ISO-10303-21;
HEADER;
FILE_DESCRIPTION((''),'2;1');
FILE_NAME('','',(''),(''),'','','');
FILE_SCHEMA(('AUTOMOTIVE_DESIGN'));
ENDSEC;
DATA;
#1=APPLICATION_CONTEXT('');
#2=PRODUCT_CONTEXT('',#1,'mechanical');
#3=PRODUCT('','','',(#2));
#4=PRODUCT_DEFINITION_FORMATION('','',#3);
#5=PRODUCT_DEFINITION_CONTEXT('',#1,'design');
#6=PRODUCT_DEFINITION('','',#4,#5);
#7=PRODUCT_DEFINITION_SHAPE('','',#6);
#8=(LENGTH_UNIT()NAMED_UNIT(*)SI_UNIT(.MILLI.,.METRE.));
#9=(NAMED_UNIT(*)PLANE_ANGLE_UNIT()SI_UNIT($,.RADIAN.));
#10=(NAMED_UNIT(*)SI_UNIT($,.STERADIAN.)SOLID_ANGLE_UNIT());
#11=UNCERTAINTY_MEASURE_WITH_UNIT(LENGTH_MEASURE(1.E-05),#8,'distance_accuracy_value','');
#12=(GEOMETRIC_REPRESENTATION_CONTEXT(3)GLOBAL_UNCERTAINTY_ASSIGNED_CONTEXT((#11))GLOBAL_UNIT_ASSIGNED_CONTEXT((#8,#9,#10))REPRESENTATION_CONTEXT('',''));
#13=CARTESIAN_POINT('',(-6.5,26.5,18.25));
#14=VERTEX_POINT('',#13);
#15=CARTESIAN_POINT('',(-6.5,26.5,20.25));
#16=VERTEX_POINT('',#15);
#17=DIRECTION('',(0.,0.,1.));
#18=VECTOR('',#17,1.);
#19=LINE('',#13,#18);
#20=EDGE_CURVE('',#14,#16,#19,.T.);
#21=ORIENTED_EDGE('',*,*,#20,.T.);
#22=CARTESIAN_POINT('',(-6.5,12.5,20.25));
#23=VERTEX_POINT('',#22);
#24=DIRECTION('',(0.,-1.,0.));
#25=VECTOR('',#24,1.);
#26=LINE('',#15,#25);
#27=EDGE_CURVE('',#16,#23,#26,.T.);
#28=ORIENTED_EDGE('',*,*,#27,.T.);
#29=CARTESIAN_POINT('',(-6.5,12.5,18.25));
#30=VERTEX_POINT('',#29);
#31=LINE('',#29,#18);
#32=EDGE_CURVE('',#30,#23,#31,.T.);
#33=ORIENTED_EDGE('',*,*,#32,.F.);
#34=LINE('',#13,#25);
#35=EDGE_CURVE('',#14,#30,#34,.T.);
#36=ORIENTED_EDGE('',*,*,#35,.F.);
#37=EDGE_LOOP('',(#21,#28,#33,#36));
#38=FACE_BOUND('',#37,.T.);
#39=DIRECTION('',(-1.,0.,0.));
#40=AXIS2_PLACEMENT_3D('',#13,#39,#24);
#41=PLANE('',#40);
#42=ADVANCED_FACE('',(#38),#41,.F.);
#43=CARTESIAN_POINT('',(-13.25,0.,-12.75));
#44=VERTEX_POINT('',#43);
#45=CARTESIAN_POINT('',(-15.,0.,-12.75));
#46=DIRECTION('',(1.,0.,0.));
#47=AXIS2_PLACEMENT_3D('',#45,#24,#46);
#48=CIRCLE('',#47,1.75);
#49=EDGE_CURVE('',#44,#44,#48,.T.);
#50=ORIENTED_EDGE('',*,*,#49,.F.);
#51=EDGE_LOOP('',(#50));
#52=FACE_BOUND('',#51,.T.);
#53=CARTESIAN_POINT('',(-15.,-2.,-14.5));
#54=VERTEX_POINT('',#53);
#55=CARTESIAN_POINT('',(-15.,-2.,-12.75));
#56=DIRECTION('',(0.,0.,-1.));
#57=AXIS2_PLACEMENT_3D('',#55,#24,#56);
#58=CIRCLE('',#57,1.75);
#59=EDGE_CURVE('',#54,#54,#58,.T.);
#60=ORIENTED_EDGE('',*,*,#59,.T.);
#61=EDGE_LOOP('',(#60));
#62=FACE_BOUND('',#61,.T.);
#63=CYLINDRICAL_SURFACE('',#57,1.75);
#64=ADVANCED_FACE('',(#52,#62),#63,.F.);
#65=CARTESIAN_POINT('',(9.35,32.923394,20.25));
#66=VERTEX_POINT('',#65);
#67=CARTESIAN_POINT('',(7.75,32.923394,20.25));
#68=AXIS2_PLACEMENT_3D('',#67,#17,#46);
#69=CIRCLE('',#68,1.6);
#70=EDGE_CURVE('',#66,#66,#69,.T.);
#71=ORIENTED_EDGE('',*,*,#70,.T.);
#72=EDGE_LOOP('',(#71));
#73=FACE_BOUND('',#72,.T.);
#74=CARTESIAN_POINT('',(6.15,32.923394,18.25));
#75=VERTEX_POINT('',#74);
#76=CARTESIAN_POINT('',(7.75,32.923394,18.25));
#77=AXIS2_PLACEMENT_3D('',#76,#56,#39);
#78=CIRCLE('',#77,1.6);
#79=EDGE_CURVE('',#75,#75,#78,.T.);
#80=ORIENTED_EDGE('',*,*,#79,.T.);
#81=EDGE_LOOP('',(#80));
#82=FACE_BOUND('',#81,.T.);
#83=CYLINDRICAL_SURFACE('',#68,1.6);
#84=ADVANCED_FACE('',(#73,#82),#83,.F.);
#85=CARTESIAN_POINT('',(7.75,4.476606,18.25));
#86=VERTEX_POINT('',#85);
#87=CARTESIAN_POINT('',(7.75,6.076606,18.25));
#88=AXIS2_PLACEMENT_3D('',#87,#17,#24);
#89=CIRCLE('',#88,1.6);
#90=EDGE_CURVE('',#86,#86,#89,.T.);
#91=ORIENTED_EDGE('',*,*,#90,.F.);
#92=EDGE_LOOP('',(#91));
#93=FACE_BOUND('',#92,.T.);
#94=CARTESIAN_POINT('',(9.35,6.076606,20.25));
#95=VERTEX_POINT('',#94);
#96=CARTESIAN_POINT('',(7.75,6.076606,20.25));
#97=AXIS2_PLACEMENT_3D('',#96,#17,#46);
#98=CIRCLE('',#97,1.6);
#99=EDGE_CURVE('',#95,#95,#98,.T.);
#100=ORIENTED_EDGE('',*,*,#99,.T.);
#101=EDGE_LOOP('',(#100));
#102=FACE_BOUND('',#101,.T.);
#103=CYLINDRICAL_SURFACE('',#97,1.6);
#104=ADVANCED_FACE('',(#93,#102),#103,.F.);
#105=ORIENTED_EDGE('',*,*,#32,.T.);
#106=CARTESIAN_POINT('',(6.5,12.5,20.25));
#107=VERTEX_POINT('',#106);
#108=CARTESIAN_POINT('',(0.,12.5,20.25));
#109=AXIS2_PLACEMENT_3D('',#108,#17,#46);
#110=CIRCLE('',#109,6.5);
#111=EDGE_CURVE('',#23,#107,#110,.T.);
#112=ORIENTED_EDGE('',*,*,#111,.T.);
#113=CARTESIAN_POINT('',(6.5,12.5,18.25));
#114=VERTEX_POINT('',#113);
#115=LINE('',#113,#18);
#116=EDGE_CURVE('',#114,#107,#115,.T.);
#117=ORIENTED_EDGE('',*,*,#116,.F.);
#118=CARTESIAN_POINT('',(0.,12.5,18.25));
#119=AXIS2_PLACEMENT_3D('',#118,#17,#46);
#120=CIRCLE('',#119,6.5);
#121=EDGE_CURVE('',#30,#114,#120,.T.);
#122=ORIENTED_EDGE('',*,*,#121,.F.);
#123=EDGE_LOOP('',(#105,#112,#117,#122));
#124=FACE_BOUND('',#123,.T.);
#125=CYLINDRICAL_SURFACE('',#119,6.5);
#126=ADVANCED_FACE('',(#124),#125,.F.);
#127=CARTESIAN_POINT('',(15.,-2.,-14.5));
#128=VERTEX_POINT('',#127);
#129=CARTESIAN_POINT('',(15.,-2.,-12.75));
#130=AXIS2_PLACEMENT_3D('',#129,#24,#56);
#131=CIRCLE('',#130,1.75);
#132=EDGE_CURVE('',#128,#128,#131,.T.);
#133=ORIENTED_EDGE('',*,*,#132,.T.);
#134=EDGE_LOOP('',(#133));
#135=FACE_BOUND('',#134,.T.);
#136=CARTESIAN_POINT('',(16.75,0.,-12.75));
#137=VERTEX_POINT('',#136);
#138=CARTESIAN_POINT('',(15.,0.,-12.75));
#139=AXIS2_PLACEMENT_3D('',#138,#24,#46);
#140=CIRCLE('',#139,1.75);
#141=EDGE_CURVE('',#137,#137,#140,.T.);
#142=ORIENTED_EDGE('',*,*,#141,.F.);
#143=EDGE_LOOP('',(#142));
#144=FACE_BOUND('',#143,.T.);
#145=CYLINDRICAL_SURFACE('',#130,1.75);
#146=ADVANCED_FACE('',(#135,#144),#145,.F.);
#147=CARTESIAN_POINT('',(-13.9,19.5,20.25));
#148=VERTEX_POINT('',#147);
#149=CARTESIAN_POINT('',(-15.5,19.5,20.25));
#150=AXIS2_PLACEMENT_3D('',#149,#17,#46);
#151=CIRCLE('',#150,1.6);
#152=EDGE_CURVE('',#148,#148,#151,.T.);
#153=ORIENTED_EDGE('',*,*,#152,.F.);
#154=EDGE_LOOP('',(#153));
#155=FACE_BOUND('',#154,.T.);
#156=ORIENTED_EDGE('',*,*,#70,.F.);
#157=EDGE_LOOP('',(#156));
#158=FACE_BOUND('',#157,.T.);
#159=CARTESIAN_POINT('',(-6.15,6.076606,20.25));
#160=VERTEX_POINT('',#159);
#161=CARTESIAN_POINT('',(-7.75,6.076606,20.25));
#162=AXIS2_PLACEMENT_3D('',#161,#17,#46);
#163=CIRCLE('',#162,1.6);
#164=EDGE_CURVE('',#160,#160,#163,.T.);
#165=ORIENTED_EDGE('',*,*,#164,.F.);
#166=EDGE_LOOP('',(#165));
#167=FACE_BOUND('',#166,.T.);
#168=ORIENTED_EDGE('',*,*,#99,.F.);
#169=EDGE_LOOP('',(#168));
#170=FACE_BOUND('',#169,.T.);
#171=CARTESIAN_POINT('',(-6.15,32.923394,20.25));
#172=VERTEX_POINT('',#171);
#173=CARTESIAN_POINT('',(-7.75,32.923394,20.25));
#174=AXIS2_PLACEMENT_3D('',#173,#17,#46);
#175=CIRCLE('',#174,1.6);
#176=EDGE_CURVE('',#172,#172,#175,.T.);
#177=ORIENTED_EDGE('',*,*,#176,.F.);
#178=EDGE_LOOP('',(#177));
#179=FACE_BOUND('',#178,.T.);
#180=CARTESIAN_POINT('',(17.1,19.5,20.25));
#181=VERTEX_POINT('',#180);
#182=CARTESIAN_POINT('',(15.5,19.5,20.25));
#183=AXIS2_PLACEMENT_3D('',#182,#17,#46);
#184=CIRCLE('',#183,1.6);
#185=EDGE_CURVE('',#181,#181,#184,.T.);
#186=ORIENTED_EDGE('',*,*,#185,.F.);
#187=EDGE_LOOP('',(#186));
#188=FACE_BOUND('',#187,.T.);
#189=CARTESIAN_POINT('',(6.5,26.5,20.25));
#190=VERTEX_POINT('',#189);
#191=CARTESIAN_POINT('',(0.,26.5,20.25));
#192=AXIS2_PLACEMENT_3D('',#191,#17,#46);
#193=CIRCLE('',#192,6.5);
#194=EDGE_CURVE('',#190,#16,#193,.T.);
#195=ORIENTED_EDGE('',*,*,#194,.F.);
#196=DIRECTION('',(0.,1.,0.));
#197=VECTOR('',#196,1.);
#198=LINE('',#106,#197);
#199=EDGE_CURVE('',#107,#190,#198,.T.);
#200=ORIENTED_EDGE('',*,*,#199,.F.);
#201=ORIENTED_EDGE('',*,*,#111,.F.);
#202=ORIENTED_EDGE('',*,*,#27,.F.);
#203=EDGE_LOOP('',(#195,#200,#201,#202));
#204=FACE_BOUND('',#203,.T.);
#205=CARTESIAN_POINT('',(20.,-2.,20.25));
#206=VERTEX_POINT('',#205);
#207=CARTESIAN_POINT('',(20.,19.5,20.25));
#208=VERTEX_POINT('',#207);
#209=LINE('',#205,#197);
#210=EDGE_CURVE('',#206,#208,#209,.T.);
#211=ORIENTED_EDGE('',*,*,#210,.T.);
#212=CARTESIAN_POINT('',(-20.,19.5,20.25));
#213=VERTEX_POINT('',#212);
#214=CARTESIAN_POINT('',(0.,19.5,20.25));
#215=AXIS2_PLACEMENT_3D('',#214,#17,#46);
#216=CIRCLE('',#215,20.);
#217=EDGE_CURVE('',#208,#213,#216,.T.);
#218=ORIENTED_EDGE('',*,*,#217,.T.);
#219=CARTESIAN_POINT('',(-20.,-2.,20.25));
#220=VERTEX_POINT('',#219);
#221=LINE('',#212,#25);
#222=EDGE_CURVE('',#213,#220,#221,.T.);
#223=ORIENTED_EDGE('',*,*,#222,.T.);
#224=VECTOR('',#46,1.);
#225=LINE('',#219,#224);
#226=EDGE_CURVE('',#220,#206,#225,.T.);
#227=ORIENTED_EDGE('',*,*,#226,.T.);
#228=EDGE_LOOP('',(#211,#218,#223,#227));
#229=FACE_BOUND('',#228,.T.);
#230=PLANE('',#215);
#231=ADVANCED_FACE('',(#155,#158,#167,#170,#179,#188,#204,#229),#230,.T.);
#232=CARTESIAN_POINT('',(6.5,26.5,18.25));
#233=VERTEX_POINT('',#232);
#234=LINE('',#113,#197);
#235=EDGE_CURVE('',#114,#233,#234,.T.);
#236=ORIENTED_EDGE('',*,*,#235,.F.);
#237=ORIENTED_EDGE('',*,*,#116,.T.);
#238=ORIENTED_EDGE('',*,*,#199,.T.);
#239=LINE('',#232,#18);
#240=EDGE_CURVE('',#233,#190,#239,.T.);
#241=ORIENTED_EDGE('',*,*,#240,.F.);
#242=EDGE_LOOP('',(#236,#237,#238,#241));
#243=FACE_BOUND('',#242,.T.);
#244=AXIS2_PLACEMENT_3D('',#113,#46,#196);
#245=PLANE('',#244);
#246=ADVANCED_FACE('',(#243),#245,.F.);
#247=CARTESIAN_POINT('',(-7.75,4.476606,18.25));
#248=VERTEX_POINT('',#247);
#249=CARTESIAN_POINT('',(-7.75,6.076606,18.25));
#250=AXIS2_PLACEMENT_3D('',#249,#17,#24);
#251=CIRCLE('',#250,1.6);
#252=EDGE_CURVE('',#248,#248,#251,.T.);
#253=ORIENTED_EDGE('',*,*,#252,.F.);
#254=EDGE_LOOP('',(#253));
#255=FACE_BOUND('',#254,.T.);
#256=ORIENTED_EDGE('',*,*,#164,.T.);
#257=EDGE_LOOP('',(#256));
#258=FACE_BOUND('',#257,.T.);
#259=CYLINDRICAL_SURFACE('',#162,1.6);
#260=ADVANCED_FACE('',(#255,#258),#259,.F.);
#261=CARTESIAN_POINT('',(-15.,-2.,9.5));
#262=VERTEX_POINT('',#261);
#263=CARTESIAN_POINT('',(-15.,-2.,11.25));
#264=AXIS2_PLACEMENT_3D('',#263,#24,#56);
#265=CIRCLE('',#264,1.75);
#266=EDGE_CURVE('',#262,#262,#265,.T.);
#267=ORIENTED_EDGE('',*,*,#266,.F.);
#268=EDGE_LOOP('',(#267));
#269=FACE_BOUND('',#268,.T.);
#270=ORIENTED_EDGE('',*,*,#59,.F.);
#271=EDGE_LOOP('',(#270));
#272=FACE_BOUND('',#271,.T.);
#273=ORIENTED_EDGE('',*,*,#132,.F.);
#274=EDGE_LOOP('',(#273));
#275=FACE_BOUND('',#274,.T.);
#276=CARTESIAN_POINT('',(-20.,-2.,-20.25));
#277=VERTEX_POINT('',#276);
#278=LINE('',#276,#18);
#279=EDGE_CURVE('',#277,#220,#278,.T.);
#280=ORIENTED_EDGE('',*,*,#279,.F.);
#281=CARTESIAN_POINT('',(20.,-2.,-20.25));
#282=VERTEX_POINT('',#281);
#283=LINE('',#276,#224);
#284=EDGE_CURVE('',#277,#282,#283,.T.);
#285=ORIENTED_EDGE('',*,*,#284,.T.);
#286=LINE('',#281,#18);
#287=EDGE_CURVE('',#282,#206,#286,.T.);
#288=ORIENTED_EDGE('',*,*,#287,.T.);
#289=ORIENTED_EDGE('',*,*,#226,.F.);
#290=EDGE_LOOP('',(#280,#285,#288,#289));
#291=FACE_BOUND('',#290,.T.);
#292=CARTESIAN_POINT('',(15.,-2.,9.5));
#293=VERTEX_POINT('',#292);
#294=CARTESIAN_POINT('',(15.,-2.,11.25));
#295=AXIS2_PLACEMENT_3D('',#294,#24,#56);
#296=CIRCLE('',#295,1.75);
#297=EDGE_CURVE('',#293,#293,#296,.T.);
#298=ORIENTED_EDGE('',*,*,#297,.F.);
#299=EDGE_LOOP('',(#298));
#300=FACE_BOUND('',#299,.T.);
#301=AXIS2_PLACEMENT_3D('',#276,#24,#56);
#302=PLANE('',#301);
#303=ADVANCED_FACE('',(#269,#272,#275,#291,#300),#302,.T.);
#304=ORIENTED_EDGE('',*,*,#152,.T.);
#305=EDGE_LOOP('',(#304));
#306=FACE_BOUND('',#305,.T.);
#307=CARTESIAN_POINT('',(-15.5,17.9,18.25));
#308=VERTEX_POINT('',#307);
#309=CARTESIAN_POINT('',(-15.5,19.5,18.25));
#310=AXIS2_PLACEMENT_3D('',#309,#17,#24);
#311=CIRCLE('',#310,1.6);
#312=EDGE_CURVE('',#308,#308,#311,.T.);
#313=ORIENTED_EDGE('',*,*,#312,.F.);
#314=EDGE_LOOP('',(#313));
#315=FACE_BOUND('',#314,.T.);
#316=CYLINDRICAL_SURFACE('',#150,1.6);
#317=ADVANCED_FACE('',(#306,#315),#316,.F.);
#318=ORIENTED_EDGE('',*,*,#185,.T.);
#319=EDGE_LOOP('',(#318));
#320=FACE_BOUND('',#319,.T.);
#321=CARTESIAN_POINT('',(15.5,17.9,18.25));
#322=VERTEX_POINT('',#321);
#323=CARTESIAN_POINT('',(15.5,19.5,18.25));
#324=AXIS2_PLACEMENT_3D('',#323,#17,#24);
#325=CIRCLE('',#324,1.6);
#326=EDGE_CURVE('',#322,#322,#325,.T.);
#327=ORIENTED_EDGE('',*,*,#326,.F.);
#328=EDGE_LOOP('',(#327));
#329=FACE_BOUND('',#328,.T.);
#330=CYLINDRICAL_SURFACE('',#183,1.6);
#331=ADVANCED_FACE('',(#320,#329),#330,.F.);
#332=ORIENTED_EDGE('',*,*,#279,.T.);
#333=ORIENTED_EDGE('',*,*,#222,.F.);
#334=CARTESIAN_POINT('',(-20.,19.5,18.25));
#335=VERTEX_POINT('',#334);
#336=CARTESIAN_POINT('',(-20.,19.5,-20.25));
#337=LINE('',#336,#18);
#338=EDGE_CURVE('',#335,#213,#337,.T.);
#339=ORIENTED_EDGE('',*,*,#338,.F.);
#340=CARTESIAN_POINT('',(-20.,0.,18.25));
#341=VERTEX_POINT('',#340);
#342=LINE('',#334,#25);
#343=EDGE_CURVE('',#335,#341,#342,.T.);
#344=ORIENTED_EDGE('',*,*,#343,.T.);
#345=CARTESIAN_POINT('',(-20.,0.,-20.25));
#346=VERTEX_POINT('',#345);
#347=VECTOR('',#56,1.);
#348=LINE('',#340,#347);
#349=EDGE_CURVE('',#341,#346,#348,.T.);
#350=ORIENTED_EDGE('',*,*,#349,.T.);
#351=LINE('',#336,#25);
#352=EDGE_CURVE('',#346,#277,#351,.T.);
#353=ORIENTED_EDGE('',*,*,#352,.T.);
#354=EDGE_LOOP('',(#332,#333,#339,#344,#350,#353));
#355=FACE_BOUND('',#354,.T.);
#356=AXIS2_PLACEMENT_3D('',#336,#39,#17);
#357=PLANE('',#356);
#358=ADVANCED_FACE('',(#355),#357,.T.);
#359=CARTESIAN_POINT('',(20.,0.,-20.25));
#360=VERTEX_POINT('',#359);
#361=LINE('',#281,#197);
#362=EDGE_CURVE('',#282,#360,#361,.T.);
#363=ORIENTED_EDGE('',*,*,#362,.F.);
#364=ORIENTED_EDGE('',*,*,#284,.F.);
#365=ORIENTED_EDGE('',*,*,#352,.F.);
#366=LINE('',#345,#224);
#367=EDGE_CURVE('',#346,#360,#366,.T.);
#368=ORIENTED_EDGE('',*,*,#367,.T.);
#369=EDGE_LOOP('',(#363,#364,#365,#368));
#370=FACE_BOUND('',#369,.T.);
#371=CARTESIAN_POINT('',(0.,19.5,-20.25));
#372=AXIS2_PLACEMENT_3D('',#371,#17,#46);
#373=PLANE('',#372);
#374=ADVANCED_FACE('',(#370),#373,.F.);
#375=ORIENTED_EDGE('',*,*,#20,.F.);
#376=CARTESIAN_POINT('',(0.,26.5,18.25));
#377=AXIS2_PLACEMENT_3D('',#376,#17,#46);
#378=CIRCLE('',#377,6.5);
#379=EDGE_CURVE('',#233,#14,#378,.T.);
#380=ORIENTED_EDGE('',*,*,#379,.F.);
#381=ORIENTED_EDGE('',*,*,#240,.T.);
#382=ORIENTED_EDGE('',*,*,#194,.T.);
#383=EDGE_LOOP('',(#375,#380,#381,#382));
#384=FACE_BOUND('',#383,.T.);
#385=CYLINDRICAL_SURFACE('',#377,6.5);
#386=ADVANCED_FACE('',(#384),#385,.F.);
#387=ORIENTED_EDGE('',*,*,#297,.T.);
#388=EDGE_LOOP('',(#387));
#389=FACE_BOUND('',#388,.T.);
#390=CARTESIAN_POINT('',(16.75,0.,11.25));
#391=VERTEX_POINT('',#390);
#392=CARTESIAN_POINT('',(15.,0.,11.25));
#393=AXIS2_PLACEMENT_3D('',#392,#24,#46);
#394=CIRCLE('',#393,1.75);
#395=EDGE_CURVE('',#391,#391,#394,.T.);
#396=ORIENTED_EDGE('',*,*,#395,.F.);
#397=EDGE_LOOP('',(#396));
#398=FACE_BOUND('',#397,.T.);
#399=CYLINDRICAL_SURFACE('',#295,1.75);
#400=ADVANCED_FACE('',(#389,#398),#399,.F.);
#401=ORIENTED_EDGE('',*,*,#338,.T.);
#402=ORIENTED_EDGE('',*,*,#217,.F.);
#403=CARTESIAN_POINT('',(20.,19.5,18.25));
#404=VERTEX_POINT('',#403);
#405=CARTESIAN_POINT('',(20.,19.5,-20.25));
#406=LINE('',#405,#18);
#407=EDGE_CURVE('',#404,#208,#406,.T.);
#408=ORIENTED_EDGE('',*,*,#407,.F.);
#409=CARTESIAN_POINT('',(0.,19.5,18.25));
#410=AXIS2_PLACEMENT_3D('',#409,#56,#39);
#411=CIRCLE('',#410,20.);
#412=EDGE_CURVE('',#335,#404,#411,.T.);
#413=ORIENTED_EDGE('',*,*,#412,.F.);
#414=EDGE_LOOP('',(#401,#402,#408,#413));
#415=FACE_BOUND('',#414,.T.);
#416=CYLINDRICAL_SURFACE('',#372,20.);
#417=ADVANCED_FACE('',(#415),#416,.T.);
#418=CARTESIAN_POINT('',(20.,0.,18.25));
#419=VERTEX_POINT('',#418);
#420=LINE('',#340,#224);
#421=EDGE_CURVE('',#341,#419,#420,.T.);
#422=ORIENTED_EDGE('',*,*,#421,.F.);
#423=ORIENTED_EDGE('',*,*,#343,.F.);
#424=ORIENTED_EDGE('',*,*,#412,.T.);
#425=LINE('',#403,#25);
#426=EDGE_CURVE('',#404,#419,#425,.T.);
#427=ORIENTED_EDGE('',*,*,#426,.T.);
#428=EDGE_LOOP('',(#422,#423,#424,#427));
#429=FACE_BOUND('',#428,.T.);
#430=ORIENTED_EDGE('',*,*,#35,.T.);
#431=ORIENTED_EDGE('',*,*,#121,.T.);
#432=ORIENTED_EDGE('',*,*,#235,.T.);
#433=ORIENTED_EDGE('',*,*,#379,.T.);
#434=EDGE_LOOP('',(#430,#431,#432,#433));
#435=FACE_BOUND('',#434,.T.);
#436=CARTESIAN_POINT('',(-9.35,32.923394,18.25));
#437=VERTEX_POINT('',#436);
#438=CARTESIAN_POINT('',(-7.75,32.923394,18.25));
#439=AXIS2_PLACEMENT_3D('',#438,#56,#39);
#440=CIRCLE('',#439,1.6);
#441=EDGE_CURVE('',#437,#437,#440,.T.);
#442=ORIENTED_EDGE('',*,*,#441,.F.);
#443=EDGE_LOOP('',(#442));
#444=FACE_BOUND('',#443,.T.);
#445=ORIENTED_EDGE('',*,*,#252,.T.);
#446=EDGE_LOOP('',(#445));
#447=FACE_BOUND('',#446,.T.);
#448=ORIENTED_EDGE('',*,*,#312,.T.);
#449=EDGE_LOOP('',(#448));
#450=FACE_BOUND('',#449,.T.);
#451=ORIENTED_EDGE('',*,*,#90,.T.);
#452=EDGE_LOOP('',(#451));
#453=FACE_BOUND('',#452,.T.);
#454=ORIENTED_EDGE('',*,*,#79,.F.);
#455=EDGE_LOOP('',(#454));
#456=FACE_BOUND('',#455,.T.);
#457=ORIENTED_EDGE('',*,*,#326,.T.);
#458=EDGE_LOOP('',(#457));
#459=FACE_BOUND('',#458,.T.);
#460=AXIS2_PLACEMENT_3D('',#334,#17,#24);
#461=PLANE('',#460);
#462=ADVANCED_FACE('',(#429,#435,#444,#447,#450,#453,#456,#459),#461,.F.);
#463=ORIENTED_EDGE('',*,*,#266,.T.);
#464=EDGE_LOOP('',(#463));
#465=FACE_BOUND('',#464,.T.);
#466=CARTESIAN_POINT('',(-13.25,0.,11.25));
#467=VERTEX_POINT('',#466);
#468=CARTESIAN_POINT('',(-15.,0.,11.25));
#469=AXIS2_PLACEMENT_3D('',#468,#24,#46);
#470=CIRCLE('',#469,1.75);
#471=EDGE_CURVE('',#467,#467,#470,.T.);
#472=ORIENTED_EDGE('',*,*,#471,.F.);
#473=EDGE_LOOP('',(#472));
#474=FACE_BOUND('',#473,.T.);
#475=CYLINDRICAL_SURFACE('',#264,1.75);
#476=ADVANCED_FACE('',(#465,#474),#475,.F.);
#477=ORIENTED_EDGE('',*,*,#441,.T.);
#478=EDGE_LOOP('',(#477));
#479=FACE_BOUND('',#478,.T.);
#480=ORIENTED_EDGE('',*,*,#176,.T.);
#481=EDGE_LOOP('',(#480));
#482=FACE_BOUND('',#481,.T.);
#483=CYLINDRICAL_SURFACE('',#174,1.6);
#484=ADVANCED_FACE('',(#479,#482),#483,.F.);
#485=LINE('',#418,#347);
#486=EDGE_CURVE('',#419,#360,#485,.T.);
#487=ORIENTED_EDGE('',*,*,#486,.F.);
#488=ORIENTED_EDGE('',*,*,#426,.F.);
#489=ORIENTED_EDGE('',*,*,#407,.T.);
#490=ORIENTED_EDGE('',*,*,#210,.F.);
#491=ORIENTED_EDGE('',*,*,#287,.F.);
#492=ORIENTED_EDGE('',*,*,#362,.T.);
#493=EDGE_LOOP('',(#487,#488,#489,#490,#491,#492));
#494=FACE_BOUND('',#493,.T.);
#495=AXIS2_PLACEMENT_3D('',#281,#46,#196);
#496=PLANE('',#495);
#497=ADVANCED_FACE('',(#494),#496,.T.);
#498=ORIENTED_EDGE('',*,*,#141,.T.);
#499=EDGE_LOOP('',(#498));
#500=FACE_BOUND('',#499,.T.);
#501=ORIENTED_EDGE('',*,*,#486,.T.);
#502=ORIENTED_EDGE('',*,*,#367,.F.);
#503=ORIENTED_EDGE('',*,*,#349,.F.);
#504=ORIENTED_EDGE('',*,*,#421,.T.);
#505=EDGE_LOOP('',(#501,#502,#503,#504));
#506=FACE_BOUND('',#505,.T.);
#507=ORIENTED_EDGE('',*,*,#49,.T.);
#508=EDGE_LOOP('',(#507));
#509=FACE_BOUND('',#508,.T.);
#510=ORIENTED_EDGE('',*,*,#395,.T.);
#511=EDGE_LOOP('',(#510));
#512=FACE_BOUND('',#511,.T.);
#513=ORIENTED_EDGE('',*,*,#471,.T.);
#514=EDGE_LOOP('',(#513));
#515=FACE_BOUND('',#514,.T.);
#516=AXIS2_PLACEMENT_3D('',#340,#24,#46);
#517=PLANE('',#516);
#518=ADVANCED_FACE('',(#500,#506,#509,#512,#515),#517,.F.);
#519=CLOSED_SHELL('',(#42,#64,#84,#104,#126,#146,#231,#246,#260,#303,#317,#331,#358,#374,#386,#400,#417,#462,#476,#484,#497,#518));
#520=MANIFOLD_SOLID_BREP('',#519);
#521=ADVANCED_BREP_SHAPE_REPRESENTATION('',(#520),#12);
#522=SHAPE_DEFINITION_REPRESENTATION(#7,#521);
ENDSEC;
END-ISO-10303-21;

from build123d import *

# Parameters (mm, degrees)
EXTRUDE_1_DEPTH             = 40.5
SKETCH_2_W                  = 38.5
SKETCH_2_H                  = 19.5
CUT_EXTRUDE_1_DEPTH         = 60.752092014
CUT_EXTRUDE_2_DEPTH         = 2
HOLE_WIZARD_3_5_3_5_1_D     = 3.5
HOLE_WIZARD_3_5_3_5_1_DEPTH = 2
HOLE_WIZARD_3_2_3_2_1_D     = 3.2
HOLE_WIZARD_3_2_3_2_1_DEPTH = 40.5
SKETCH_12_R                 = 1.6
CUT_EXTRUDE_3_DEPTH         = 38.5


with BuildPart() as part:
    # 草图1 → 凸台-拉伸1 (new body)
    with BuildSketch(Plane.XY.offset(20.25)):
        with BuildLine():
            Line((20, -2), (20, 19.5))
            ThreePointArc((20, 19.5), (0, 39.5), (-20, 19.5))
            Line((-20, 19.5), (-20, -2))
            Line((-20, -2), (20, -2))
        make_face()
    extrude(amount=-EXTRUDE_1_DEPTH)

    # 草图2 → 切除-拉伸1 (cut, through all)
    with BuildSketch(Plane(origin=(20, 0, 0), x_dir=(0, 0, -1), z_dir=(1, 0, 0))):
        with Locations((1, 9.75)):
            Rectangle(SKETCH_2_W, SKETCH_2_H)
    extrude(amount=-CUT_EXTRUDE_1_DEPTH, mode=Mode.SUBTRACT)

    # 草图3 → 切除-拉伸2 (cut)
    with BuildSketch(Plane.XY.offset(20.25)):
        with BuildLine():
            Line((-6.5, 26.5), (-6.5, 12.5))
            ThreePointArc((-6.5, 12.5), (0, 6), (6.5, 12.5))
            Line((6.5, 12.5), (6.5, 26.5))
            ThreePointArc((6.5, 26.5), (0, 33), (-6.5, 26.5))
        make_face()
    extrude(amount=-CUT_EXTRUDE_2_DEPTH, mode=Mode.SUBTRACT)

    # Ø3.5 (3.5) 直径孔1
    with Locations(Plane(origin=(0, -2, 0), x_dir=(-1, 0, 0), z_dir=(0, -1, 0))):
        with Locations((15, -11.25), (15, 12.75), (-15, 12.75), (-15, -11.25)):
            Hole(HOLE_WIZARD_3_5_3_5_1_D / 2, depth=HOLE_WIZARD_3_5_3_5_1_DEPTH)

    # Ø3.2 (3.2) 直径孔1
    with Locations(Plane.XY.offset(20.25)):
        with Locations((-7.75, 32.923393759), (-7.75, 6.076606241), (15.5, 19.5), (7.75, 6.076606241), (-15.5, 19.5), (7.75, 32.923393759)):
            Hole(HOLE_WIZARD_3_2_3_2_1_D / 2, depth=HOLE_WIZARD_3_2_3_2_1_DEPTH)

    # 草图12 → 切除-拉伸3 (cut)
    with BuildSketch(Plane(origin=(0, 0, -20.25), x_dir=(-1, 0, 0), z_dir=(0, 0, -1))):
        with BuildLine():
            Line((-20, 19.5), (-17.1, 19.5))
            ThreePointArc((-17.1, 19.5), (-15.5, 21.1), (-13.9, 19.5))
            Line((-13.9, 19.5), (13.9, 19.5))
            ThreePointArc((13.9, 19.5), (15.5, 21.1), (17.1, 19.5))
            Line((17.1, 19.5), (20, 19.5))
            ThreePointArc((20, 19.5), (0, 39.5), (-20, 19.5))
        make_face()
        with Locations(Location((-7.75, 32.923393759, 0), (0, 0, 180))):
            Circle(SKETCH_12_R, mode=Mode.SUBTRACT)
        with Locations(Location((7.75, 32.923393759, 0), (0, 0, 180))):
            Circle(SKETCH_12_R, mode=Mode.SUBTRACT)
    extrude(amount=-CUT_EXTRUDE_3_DEPTH, mode=Mode.SUBTRACT)


solid = part.part
